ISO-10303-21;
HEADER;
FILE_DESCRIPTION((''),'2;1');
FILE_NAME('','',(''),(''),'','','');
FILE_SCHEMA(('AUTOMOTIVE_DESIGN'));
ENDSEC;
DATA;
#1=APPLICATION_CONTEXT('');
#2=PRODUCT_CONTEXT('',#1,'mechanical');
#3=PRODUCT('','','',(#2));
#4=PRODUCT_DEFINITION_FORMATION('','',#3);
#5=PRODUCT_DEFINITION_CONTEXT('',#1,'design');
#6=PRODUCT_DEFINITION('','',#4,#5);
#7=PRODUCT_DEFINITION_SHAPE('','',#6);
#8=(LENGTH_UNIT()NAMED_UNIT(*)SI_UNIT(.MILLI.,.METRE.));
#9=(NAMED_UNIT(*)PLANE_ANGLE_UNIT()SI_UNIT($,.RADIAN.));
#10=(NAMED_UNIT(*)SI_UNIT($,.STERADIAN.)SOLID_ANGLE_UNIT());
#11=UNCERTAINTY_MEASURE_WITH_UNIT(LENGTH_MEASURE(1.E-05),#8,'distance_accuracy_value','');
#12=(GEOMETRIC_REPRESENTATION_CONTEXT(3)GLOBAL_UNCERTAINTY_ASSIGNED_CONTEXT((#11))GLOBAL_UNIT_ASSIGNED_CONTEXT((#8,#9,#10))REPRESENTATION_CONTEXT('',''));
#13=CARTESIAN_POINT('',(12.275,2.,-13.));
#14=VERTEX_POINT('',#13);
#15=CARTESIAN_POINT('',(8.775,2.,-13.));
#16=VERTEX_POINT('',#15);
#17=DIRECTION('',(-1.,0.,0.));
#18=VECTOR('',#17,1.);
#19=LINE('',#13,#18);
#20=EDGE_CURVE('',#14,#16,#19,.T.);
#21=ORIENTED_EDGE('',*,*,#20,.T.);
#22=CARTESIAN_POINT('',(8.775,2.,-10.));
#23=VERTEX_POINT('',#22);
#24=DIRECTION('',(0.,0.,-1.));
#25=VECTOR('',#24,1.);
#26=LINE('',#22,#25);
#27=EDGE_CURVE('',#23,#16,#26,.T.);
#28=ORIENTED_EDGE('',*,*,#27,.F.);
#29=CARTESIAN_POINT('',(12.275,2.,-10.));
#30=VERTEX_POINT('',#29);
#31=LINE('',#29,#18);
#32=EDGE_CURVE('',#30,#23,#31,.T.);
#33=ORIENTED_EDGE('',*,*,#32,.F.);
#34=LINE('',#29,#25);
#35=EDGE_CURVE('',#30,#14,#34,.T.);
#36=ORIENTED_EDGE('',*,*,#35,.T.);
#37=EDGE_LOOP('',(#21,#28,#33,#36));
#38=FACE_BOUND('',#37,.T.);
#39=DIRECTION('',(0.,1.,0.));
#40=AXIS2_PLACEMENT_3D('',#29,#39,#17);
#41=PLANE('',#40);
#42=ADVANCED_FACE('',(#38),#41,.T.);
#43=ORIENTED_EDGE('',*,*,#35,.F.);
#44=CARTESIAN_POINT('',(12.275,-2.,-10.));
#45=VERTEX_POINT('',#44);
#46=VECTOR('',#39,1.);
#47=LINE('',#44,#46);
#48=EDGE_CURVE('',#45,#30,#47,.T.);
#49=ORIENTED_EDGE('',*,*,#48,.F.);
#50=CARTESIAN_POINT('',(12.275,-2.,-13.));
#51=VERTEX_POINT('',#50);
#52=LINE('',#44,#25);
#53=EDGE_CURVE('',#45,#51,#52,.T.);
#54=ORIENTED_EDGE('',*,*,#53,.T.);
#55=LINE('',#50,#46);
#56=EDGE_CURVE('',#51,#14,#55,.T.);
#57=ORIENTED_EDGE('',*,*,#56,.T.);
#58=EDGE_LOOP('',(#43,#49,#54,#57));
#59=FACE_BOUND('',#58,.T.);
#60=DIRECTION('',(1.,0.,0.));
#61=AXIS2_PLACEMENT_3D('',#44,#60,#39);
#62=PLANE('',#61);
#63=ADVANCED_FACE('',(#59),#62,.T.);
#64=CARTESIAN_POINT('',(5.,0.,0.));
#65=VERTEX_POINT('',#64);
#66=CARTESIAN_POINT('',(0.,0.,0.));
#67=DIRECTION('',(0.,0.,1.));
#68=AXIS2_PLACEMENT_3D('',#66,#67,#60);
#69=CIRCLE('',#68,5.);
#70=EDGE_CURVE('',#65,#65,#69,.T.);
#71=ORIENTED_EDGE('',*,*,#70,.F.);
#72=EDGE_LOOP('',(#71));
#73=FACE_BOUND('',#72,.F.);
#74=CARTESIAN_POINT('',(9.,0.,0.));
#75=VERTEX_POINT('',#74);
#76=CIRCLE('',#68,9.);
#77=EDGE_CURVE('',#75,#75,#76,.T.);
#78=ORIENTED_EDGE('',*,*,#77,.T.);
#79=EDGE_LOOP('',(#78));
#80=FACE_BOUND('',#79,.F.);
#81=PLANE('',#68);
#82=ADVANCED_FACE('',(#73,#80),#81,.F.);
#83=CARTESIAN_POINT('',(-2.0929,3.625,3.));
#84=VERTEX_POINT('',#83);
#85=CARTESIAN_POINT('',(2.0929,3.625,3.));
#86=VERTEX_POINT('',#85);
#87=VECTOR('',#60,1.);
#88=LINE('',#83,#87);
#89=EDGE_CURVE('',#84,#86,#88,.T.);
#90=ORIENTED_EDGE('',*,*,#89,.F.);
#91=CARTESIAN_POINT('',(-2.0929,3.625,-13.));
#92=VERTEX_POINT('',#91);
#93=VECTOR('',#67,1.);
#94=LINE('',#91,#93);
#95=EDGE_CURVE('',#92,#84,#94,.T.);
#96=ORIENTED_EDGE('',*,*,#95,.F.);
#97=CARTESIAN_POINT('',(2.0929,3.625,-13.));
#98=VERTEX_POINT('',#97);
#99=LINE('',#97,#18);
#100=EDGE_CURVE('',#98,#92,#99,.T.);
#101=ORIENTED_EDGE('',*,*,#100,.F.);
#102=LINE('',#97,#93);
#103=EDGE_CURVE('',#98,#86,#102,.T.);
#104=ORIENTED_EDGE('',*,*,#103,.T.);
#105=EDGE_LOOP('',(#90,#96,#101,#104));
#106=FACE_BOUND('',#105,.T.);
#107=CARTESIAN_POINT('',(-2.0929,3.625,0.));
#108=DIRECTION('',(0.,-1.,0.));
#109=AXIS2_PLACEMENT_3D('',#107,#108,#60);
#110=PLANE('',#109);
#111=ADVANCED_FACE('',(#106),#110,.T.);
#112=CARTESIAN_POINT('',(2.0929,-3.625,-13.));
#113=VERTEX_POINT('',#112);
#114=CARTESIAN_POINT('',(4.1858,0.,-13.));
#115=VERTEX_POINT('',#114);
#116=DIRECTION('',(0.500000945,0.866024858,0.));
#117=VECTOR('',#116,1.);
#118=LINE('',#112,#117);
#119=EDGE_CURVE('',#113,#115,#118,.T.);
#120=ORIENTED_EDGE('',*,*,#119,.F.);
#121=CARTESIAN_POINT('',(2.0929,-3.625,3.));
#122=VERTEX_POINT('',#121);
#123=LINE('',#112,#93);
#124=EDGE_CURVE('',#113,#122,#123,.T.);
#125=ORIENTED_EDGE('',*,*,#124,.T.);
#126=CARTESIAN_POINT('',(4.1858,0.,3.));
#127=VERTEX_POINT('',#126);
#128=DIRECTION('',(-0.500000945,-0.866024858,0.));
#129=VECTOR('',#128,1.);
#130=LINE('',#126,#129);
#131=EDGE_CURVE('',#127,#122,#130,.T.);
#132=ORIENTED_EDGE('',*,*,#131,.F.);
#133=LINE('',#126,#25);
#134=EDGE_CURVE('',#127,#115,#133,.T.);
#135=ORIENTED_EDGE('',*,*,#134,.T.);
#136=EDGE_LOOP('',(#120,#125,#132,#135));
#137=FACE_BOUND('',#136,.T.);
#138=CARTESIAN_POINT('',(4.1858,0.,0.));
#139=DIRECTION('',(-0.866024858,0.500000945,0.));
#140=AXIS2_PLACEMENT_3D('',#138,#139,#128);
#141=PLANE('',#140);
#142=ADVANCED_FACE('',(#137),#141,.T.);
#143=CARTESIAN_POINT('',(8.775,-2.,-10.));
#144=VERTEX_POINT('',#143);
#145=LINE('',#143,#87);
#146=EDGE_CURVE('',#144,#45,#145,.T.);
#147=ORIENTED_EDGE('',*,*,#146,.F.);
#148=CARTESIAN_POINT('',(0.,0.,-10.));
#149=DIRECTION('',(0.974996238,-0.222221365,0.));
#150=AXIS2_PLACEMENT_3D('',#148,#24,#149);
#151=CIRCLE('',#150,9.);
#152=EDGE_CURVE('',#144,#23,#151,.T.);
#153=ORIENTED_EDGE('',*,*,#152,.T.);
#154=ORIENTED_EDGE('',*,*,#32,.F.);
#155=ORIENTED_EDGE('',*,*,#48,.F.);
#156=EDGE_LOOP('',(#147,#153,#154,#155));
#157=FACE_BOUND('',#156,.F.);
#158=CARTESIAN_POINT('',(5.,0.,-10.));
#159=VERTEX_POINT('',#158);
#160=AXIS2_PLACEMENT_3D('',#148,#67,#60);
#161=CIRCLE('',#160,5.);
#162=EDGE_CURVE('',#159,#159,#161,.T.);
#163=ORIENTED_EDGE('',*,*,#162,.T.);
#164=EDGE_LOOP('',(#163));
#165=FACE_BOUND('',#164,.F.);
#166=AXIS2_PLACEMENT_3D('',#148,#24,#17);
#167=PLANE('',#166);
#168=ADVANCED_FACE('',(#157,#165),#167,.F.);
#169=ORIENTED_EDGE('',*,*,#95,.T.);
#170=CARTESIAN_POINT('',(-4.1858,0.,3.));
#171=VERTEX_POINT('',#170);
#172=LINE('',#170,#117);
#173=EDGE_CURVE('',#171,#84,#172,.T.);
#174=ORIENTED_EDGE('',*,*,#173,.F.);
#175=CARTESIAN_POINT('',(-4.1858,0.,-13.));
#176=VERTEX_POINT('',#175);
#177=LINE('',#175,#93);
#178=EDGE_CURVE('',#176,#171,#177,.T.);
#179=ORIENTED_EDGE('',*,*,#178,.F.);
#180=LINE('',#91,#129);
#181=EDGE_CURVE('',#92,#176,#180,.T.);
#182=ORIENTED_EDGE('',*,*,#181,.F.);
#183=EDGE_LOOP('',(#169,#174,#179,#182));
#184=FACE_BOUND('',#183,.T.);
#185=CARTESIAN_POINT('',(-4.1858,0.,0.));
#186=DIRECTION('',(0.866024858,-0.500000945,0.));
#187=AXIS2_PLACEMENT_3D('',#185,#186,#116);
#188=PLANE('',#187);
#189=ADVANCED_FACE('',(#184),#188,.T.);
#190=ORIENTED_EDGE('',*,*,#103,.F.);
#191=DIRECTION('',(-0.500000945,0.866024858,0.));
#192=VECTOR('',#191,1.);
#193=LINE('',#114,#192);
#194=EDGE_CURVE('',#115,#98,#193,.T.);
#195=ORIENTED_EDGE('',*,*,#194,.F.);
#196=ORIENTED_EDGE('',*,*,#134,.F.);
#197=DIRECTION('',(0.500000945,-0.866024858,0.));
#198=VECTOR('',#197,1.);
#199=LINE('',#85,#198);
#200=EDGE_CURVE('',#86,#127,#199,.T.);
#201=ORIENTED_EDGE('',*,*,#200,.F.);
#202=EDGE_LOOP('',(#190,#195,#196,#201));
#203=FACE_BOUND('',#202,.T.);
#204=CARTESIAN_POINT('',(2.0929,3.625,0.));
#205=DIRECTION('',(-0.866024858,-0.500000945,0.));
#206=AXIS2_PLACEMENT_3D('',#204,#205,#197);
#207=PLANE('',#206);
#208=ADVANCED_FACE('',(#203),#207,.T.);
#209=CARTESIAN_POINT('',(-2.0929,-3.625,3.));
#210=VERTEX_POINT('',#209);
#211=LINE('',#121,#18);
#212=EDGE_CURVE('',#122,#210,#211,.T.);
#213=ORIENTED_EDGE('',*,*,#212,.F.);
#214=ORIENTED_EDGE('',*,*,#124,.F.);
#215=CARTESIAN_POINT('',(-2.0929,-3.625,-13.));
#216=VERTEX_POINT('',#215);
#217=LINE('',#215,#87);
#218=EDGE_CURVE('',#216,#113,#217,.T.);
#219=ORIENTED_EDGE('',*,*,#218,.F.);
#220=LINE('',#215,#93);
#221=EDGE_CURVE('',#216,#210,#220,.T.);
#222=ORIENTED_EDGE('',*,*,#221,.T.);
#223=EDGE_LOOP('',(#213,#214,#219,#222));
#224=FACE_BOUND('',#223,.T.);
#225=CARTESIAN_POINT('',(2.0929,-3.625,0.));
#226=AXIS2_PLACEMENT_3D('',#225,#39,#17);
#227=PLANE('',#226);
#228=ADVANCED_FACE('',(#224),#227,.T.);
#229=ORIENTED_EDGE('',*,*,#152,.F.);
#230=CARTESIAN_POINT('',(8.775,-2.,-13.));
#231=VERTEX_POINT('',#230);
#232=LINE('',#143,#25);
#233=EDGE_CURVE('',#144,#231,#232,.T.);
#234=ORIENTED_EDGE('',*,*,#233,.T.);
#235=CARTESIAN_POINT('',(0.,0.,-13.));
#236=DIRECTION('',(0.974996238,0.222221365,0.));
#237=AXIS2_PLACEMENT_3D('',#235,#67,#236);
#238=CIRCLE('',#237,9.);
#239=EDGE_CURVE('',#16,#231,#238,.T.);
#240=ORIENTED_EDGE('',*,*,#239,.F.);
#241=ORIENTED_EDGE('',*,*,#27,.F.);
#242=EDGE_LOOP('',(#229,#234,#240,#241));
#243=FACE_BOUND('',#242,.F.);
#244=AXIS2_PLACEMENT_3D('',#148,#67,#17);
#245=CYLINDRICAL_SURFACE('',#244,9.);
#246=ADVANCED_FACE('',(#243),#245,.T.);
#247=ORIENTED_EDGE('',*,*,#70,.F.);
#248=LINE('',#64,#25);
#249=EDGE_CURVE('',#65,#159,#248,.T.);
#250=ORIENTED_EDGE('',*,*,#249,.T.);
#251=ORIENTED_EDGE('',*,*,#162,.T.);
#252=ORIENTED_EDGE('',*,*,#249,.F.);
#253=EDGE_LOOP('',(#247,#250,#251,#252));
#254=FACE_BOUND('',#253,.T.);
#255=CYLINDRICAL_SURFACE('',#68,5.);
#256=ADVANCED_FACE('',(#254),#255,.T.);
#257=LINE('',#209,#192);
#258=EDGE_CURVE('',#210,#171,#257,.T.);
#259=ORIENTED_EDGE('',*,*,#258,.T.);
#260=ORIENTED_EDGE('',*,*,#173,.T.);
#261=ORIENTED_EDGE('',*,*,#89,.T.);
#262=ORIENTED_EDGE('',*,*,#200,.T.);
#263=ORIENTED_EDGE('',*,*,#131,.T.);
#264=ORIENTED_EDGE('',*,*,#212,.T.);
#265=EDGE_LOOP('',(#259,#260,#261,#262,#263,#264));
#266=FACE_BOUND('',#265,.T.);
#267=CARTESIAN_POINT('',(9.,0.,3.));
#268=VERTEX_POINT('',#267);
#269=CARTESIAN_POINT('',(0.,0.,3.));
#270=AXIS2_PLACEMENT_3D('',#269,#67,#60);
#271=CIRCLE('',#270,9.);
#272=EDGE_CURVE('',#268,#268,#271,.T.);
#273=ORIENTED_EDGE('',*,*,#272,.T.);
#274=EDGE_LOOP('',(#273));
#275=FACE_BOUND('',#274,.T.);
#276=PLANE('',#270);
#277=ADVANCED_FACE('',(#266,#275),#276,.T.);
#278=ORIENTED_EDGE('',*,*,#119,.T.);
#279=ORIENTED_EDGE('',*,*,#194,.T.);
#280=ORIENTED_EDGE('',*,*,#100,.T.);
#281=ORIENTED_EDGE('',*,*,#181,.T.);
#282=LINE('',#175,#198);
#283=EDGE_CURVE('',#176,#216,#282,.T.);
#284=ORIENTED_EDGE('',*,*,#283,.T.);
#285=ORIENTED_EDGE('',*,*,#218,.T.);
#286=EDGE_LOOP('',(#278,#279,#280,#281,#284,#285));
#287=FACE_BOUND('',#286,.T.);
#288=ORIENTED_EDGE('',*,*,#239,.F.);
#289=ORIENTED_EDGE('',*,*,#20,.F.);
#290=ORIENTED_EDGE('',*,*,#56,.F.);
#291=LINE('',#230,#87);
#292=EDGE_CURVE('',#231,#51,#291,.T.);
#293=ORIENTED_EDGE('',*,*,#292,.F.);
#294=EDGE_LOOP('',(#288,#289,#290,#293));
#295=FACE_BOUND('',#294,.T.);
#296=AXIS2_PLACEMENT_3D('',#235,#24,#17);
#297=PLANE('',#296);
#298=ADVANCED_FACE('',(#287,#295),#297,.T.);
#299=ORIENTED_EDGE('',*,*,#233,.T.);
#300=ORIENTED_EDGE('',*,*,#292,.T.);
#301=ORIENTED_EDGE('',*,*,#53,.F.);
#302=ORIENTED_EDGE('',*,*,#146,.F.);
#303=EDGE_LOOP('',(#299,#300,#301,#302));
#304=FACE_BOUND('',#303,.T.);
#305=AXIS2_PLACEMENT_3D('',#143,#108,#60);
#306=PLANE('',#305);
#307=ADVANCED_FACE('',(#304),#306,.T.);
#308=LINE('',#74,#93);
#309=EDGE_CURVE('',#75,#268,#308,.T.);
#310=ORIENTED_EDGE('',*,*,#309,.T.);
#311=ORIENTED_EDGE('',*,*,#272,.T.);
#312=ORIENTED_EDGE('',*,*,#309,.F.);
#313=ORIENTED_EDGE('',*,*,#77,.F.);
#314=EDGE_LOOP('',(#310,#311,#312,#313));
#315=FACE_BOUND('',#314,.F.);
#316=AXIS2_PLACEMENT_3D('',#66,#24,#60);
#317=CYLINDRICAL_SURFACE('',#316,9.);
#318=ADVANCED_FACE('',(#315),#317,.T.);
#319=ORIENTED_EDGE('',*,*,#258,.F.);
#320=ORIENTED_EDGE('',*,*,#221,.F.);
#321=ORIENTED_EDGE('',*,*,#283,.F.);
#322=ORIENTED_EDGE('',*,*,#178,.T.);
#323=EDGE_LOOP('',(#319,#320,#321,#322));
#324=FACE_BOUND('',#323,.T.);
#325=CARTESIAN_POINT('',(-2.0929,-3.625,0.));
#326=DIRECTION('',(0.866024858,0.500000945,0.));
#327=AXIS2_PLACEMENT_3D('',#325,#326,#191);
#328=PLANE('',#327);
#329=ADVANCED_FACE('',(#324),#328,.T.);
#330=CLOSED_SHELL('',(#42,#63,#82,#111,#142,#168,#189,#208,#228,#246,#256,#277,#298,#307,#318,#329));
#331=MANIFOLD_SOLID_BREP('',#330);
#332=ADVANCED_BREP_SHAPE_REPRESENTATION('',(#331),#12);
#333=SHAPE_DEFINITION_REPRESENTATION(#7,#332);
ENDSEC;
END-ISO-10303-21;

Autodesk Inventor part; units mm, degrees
ref_plane "YZ Plane" through (0, 0, 0) normal (1, 0, 0) x (0, 1, 0)
ref_plane "XZ Plane" through (0, 0, 0) normal (0, 1, 0) x (-1, 0, 0)
ref_plane "XY Plane" through (0, 0, 0) normal (0, 0, 1) x (1, 0, 0)
sketch "Sketch1" plane through (0, 0, 0) normal (0, 0, 1) x (1, 0, 0)
  circle A0 centre (0, 0) radius 9
  circle A1 centre (0, 0) radius 5
  line L0 (4.1858, 0) -> (2.0929, -3.625)
  line L1 (2.0929, -3.625) -> (-2.0929, -3.625)
  line L2 (-2.0929, -3.625) -> (-4.1858, 0)
  line L3 (-4.1858, 0) -> (-2.0929, 3.625)
  line L4 (-2.0929, 3.625) -> (2.0929, 3.625)
  line L5 (2.0929, 3.625) -> (4.1858, 0)
  dimension "d1" = 18
  dimension "d2" = 10
  dimension "d3" = 7.25
extrude "Extrusion2" add sketch "Sketch1" against normal blind 10 contours A1
extrude "Extrusion4" add sketch "Sketch1" along normal blind 3 contours A0 | A1
sketch "Sketch6" plane through (0, 0, -10) normal (0, 0, -1) x (-1, 0, 0)
  circle A0 centre (0, 0) radius 9 projected
  circle A1 centre (0, 0) radius 5 projected
  line L0 (0, 0) -> (-9, 0) construction
  arc A2 (-8.775, 2) -> (-8.775, -2) centre (0, 0) ccw
  line L1 (-8.775, -2) -> (-12.275, -2)
  line L2 (-12.275, -2) -> (-12.275, 2)
  line L3 (-12.275, 2) -> (-8.775, 2)
  line L4 (-4.1858, 0) -> (-2.0929, 3.625) projected
  line L5 (-2.0929, 3.625) -> (2.0929, 3.625) projected
  line L6 (2.0929, 3.625) -> (4.1858, 0) projected
  line L7 (4.1858, 0) -> (2.0929, -3.625) projected
  line L8 (2.0929, -3.625) -> (-2.0929, -3.625) projected
  line L9 (-2.0929, -3.625) -> (-4.1858, 0) projected
  circle A3 centre (0, 0) radius 5 projected
  dimension "d20" = 3.5
  dimension "d21" = 4
extrude "Extrusion7" add sketch "Sketch6" along normal blind 3 contours A0 | A0 L1 L2 L3 | A1
properties part number "movingSpindle"
